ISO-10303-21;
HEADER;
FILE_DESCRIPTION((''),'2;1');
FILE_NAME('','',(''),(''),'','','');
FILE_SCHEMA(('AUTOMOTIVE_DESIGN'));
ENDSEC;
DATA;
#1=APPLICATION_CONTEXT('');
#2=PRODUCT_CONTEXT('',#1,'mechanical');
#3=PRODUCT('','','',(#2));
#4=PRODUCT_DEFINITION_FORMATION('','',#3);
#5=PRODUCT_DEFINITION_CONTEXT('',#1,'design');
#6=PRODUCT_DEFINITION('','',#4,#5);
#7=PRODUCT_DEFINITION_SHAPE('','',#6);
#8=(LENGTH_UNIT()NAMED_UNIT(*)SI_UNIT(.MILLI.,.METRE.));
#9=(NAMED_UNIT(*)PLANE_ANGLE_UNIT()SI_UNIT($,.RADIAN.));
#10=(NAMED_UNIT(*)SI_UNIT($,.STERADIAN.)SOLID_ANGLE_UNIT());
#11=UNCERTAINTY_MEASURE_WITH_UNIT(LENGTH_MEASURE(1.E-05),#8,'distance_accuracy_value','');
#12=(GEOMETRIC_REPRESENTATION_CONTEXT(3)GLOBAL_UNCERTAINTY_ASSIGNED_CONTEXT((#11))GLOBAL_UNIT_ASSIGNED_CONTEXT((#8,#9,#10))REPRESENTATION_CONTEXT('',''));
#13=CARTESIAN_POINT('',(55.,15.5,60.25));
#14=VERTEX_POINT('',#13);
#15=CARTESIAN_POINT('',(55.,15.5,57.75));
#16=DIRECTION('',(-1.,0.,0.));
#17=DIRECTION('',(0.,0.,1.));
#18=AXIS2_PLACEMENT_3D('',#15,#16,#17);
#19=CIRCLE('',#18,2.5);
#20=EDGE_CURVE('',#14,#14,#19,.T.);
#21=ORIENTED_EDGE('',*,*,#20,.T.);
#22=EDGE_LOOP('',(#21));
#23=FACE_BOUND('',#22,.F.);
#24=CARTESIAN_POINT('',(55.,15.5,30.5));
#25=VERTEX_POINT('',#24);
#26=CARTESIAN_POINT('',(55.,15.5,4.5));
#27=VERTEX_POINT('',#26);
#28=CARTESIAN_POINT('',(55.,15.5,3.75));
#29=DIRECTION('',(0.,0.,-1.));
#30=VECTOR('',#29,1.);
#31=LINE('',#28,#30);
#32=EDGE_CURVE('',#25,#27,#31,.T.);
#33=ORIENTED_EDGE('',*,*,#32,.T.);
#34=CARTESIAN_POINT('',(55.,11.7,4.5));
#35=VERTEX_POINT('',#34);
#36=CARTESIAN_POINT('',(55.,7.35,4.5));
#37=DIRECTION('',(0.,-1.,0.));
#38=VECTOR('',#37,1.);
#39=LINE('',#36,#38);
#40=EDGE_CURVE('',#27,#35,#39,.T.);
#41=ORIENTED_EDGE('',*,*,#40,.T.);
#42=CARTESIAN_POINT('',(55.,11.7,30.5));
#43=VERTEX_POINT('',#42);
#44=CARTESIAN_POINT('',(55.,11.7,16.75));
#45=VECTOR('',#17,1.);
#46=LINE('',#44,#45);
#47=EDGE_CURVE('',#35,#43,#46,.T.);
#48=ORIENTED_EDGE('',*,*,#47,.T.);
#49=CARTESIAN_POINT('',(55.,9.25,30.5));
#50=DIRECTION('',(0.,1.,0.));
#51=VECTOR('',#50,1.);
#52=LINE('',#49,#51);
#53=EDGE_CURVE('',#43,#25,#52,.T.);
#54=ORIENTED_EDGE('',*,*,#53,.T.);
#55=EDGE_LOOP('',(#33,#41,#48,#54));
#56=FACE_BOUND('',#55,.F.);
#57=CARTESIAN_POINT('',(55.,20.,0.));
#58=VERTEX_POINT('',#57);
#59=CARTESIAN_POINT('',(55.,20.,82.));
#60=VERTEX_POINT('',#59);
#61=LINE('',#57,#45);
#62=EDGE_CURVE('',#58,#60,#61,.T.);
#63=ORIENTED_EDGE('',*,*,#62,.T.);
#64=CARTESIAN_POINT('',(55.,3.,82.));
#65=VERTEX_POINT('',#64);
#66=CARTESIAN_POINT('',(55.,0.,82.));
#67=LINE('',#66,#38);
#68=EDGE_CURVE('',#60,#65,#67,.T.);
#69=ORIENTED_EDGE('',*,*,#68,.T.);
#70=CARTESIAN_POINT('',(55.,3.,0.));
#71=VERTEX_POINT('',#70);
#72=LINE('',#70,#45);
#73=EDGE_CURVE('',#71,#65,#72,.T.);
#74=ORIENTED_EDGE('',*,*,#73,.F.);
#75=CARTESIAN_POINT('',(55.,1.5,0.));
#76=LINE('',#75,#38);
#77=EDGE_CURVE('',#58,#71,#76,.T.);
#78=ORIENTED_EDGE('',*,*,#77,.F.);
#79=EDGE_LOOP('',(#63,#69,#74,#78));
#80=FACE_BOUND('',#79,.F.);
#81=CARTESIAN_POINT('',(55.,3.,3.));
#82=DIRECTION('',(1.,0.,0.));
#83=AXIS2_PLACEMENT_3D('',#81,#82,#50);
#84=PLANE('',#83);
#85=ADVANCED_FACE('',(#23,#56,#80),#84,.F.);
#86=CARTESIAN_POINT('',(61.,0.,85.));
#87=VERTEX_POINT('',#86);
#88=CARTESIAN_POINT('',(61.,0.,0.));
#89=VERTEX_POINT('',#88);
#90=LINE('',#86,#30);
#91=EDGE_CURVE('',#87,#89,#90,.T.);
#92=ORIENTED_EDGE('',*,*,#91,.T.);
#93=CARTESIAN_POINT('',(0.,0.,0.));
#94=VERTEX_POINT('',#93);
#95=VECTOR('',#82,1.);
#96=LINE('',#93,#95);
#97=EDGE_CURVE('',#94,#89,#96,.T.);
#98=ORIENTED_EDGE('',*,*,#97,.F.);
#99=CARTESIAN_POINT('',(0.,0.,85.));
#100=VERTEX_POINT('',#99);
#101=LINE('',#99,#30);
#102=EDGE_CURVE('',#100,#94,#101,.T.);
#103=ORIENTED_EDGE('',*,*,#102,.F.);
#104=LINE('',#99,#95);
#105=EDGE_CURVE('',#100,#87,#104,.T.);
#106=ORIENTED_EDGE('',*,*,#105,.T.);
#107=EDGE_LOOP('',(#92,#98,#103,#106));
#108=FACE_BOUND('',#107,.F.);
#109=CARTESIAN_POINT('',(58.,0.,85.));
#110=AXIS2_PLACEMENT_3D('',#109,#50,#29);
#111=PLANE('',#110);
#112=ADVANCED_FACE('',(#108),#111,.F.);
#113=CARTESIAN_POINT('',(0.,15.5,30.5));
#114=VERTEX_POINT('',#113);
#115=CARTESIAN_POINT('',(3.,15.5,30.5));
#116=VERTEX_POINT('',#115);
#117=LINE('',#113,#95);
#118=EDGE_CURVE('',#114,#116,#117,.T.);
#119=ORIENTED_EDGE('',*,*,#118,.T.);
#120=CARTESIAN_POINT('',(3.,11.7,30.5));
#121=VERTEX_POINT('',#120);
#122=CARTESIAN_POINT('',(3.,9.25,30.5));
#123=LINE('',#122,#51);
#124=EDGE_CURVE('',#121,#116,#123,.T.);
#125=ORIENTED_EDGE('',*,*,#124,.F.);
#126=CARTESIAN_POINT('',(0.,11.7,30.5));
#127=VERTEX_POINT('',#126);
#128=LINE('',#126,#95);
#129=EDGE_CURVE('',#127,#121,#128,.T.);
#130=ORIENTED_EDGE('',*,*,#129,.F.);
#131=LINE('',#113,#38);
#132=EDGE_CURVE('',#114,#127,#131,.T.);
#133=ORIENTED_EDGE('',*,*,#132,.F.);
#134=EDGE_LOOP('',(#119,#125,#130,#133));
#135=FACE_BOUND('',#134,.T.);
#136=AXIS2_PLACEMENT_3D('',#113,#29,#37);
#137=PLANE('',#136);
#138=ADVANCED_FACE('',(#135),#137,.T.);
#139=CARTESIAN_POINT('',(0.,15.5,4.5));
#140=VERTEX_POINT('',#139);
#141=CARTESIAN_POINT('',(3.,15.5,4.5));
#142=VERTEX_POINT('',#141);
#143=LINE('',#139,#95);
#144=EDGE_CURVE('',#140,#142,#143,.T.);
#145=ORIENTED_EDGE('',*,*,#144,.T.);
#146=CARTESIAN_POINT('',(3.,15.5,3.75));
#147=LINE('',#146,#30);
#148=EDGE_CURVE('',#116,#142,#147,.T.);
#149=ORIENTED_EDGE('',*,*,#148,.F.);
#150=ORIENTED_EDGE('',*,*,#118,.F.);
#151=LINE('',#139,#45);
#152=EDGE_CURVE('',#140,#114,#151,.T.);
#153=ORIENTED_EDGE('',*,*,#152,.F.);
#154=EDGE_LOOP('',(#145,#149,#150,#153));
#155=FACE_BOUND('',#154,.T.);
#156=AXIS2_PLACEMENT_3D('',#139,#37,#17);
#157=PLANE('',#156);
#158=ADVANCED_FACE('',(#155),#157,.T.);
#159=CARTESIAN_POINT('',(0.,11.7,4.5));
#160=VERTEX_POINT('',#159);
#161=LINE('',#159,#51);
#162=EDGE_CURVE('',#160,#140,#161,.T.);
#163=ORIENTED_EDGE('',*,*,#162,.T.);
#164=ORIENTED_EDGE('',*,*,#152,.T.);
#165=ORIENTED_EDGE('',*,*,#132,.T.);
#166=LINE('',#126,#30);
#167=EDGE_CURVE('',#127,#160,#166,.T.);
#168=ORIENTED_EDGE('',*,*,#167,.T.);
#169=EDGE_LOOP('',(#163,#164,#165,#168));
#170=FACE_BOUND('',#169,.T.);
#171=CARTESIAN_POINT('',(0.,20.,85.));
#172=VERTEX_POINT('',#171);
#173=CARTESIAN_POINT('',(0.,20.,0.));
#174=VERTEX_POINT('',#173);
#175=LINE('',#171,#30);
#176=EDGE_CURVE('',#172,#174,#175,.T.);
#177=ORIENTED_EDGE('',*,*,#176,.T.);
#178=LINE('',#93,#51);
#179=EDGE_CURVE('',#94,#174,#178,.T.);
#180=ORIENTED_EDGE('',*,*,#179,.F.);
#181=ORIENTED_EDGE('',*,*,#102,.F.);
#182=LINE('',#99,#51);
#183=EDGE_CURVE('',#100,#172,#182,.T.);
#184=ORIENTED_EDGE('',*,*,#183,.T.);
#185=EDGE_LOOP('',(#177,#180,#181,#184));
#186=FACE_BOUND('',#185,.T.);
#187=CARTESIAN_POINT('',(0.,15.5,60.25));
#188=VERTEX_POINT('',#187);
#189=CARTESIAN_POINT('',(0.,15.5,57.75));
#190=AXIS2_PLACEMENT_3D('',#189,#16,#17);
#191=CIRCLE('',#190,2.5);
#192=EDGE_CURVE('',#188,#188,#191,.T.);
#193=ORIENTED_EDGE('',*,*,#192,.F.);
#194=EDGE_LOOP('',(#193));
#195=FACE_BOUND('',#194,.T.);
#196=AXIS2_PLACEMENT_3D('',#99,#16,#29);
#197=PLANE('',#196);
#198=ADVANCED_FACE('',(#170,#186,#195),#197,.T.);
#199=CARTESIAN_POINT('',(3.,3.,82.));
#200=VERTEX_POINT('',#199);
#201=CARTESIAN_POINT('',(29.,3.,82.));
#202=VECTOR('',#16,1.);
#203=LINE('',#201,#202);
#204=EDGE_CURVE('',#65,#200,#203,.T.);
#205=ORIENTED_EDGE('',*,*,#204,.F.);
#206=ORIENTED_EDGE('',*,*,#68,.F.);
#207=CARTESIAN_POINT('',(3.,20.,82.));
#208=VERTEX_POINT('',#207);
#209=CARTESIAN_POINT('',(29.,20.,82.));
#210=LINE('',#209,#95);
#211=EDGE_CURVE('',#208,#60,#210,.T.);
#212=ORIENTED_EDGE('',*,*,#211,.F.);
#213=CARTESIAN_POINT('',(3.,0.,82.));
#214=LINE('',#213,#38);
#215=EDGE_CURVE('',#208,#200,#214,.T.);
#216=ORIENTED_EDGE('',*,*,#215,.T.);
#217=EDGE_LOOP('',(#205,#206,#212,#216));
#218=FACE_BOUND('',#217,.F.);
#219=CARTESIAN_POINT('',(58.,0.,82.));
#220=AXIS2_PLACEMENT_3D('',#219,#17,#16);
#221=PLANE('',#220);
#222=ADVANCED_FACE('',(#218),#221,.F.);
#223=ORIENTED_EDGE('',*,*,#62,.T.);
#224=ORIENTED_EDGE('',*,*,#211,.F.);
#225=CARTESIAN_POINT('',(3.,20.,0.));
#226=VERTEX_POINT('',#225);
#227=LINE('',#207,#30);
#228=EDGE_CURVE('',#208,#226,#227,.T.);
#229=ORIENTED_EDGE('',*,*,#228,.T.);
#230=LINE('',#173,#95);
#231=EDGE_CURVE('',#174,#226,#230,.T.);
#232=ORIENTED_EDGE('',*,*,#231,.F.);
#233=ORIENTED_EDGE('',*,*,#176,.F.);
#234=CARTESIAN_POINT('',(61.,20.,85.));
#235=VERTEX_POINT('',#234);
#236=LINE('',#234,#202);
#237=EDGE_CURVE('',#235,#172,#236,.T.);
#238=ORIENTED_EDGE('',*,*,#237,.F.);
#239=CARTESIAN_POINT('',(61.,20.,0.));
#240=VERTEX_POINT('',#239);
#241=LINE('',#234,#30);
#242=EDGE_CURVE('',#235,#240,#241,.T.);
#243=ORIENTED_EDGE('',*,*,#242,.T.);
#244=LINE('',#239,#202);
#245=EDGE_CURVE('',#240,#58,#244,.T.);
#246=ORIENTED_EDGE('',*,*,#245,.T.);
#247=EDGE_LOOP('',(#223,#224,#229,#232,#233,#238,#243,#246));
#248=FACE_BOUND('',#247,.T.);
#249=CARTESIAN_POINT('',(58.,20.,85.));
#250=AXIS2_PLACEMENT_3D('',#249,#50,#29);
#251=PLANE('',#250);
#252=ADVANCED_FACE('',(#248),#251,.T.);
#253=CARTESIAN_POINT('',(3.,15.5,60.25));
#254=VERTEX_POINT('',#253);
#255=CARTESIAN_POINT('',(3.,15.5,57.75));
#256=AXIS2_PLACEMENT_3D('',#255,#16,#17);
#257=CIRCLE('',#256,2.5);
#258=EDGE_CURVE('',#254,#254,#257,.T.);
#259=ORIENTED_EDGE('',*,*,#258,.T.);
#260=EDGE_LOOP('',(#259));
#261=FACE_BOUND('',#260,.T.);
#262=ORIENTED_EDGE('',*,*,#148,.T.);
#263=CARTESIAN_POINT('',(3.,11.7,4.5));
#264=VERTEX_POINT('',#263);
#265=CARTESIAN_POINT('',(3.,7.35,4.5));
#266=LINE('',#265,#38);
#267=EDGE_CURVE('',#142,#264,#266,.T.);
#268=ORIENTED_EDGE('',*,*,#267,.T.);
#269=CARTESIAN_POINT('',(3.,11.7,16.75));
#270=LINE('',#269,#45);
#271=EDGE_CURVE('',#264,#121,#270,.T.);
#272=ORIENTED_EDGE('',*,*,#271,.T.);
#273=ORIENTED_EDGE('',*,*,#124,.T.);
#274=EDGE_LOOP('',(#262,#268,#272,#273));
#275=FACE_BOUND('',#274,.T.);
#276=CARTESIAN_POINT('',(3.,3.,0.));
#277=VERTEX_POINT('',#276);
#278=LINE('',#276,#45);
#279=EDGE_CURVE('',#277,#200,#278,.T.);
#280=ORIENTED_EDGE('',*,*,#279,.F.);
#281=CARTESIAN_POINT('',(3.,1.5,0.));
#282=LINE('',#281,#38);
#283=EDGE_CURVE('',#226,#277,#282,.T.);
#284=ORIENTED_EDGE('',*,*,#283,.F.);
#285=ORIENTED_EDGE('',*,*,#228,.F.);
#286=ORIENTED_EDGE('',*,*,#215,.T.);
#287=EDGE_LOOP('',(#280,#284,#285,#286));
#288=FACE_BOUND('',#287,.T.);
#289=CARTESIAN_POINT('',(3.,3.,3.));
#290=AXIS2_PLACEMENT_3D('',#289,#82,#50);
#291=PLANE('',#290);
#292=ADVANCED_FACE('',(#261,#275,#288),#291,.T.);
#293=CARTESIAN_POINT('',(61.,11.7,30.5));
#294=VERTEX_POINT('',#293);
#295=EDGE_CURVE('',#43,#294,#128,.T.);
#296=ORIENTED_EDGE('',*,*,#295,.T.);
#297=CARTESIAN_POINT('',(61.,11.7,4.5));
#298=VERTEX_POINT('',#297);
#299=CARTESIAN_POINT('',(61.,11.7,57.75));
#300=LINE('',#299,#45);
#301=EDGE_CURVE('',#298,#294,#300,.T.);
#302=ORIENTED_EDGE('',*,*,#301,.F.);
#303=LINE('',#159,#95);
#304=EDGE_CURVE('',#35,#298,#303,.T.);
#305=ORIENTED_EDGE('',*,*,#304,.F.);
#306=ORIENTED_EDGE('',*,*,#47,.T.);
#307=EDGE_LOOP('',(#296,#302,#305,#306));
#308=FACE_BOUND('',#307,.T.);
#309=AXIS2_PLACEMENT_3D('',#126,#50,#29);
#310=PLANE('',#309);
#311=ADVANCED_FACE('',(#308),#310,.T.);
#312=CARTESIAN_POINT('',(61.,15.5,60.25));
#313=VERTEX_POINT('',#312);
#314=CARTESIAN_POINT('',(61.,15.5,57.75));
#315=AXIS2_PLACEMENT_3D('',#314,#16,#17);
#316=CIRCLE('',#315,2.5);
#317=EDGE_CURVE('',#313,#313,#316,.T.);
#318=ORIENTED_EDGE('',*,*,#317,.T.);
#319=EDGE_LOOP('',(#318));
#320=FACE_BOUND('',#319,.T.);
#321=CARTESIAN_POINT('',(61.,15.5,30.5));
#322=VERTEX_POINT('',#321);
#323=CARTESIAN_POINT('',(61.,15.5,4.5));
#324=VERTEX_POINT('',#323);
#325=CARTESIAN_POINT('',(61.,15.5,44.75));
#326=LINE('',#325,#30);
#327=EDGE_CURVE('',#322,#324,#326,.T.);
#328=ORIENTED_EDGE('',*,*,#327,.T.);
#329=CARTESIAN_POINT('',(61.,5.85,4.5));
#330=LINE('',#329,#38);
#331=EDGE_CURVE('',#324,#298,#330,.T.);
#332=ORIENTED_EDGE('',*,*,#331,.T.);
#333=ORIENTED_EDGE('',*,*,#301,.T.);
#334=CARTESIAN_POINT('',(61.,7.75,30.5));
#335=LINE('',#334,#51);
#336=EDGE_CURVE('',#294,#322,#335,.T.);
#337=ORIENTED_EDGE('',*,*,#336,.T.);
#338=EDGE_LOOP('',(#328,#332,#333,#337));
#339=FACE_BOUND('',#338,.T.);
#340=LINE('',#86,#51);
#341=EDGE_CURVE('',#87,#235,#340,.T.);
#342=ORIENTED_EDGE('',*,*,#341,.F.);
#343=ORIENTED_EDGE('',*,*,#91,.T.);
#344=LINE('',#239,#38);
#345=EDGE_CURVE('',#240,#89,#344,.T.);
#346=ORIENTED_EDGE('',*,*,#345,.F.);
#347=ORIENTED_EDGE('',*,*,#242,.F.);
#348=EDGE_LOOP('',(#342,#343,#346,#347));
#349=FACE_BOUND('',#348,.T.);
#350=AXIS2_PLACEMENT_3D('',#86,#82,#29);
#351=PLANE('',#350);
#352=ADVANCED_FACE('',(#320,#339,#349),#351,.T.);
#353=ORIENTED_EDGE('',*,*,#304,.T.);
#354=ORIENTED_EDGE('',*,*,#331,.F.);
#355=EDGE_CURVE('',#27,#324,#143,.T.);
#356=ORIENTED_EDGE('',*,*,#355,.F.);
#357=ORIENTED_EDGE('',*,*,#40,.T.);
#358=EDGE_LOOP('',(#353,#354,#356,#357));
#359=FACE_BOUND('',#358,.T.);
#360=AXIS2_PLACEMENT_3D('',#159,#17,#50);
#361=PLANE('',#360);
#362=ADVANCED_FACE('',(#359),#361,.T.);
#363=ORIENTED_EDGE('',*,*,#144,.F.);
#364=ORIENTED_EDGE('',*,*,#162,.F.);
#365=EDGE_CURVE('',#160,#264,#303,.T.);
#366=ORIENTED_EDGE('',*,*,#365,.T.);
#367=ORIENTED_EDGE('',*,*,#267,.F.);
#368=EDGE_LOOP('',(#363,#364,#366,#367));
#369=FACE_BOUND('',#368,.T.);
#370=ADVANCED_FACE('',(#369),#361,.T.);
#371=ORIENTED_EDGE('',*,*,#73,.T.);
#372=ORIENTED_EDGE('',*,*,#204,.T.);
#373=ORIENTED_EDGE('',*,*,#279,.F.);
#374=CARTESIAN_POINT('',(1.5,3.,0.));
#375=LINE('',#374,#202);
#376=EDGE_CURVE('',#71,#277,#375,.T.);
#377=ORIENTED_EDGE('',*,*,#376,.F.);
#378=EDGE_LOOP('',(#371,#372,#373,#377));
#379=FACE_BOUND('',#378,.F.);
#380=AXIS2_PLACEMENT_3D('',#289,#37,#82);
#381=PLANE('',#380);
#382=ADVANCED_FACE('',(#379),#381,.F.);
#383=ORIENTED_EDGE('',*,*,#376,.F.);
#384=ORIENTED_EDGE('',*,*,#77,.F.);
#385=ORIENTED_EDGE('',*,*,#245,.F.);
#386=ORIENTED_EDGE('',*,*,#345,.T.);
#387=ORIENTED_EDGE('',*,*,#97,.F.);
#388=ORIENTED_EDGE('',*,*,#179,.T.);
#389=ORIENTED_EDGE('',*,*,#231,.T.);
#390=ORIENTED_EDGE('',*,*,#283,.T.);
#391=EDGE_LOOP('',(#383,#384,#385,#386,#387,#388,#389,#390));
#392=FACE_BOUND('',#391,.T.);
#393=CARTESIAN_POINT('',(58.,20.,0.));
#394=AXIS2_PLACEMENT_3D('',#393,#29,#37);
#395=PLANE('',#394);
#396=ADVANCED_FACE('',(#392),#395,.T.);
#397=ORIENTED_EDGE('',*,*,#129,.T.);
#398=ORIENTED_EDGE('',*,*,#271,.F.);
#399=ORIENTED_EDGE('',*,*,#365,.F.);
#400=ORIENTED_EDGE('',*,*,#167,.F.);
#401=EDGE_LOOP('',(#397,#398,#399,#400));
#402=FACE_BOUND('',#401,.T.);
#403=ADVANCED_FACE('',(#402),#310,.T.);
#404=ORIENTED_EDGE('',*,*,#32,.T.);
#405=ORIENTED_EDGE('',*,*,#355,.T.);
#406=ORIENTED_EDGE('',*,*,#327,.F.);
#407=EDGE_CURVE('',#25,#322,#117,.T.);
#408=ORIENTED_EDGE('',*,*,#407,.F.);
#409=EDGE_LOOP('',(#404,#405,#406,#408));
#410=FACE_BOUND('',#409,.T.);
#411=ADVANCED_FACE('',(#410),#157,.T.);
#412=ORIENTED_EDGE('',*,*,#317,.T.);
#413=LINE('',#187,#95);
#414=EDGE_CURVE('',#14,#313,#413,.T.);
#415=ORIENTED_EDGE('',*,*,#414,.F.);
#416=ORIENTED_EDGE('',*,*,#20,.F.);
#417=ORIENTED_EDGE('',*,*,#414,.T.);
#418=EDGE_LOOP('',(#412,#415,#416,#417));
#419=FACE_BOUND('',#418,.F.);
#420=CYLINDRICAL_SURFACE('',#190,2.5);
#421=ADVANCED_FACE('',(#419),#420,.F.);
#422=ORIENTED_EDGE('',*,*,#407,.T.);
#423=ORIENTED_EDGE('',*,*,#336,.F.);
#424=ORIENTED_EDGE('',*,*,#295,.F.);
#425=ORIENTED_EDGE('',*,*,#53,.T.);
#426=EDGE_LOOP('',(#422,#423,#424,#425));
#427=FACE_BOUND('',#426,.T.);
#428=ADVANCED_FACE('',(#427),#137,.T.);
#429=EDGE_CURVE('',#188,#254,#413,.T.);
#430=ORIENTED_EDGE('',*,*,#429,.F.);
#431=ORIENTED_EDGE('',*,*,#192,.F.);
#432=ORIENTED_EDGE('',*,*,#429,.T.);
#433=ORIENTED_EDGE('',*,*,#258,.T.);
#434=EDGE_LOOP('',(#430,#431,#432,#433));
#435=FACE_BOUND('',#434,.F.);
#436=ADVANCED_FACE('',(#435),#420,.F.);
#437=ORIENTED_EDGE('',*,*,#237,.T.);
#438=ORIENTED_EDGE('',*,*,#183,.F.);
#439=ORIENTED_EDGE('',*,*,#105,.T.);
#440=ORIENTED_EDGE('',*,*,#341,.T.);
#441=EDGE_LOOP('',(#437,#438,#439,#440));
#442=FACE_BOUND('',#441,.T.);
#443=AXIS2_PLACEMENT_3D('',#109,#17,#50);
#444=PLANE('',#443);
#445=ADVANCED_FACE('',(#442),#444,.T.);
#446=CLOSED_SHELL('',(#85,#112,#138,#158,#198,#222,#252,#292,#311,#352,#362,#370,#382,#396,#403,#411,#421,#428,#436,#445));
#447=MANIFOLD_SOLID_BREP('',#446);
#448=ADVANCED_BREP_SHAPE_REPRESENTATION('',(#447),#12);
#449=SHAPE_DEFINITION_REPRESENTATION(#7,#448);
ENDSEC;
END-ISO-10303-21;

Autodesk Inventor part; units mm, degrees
ref_plane "YZ Plane" through (0, 0, 0) normal (1, 0, 0) x (0, 1, 0)
ref_plane "XZ Plane" through (0, 0, 0) normal (0, 1, 0) x (-1, 0, 0)
ref_plane "XY Plane" through (0, 0, 0) normal (0, 0, 1) x (1, 0, 0)
sketch "Sketch2" plane through (0, 0, 0) normal (0, 1, 0) x (-1, 0, 0)
  line L0 (0, 0) -> (-58, 0)
  line L1 (-58, 0) -> (-58, 85)
  line L2 (-58, 85) -> (0, 85)
  line L3 (0, 85) -> (0, 0)
  dimension "d0" = 58
  dimension "d1" = 85
extrude "Extrusion1" add sketch "Sketch2" along normal blind 20
shell "Shell1" thickness 3 removed faces 1 at (19.3333, 20, 28.3333)
sketch "Sketch4" plane through (58, 0, 0) normal (0, 0, -1) x (-1, 0, 0)
  point P0 (58, 0)
sketch "Sketch5" plane through (3, 3, 3) normal (0, 0, 1) x (1, 0, 0)
  line L0 (0, 0) -> (0, 17) projected
  line L1 (0, 17) -> (52, 17) projected
  line L2 (0, 0) -> (52, 0)
  line L3 (52, 0) -> (52, 17)
  line L4 (52, 17) -> (0, 17)
  line L5 (0, 17) -> (0, 0)
  point P0 (-3, -3)
extrude "Extrusion3" cut sketch "Sketch5" against normal blind 10
sketch "Sketch6" plane through (0, 0, 0) normal (-1, 0, 0) x (0, 0, 1)
  line L0 (4.5, 15.5) -> (30.5, 15.5)
  line L1 (30.5, 15.5) -> (30.5, 11.7)
  line L2 (30.5, 11.7) -> (4.5, 11.7)
  line L3 (4.5, 11.7) -> (4.5, 15.5)
  line L4 (0, 0) -> (0, 20) projected
  line L5 (0, 0) -> (85, 0) projected
  line L6 (0, 20) -> (85, 20) projected
  dimension "d19" = 26
  dimension "d20" = 3.8
  dimension "d21" = 4.5
  dimension "d34" = 11.7
sketch "Sketch7" plane through (58, 0, 85) normal (1, 0, 0) x (0, 0, -1)
  line L0 (0, 0) -> (85, 0) projected
  line L1 (0, 20) -> (85, 20)
  line L2 (85, 20) -> (85, 0)
  line L3 (85, 0) -> (0, 0)
  line L4 (0, 0) -> (0, 20)
extrude "Extrusion5" add sketch "Sketch7" along normal blind 3
extrude "Extrusion6" cut sketch "Sketch6" against normal through all
sketch "Sketch8" plane through (0, 0, 0) normal (-1, 0, 0) x (0, 0, 1)
  circle A0 centre (57.75, 15.5) radius 2.5
  line L0 (0, 20) -> (85, 20) projected
  line L1 (85, 0) -> (85, 20) projected
  line L2 (30.5, 15.5) -> (30.5, 11.7) projected
  point P0 (0, 0)
  point P1 (30.5, 13.6)
  dimension "d29" = 5
  dimension "d32" = 4.5
  dimension "d35" = 54.5
  dimension "d36" = 27.25
extrude "Extrusion7" cut sketch "Sketch8" against normal through all
equation "\"d36\" = 0.5 * d35"
properties part number "breadboard box v04"
